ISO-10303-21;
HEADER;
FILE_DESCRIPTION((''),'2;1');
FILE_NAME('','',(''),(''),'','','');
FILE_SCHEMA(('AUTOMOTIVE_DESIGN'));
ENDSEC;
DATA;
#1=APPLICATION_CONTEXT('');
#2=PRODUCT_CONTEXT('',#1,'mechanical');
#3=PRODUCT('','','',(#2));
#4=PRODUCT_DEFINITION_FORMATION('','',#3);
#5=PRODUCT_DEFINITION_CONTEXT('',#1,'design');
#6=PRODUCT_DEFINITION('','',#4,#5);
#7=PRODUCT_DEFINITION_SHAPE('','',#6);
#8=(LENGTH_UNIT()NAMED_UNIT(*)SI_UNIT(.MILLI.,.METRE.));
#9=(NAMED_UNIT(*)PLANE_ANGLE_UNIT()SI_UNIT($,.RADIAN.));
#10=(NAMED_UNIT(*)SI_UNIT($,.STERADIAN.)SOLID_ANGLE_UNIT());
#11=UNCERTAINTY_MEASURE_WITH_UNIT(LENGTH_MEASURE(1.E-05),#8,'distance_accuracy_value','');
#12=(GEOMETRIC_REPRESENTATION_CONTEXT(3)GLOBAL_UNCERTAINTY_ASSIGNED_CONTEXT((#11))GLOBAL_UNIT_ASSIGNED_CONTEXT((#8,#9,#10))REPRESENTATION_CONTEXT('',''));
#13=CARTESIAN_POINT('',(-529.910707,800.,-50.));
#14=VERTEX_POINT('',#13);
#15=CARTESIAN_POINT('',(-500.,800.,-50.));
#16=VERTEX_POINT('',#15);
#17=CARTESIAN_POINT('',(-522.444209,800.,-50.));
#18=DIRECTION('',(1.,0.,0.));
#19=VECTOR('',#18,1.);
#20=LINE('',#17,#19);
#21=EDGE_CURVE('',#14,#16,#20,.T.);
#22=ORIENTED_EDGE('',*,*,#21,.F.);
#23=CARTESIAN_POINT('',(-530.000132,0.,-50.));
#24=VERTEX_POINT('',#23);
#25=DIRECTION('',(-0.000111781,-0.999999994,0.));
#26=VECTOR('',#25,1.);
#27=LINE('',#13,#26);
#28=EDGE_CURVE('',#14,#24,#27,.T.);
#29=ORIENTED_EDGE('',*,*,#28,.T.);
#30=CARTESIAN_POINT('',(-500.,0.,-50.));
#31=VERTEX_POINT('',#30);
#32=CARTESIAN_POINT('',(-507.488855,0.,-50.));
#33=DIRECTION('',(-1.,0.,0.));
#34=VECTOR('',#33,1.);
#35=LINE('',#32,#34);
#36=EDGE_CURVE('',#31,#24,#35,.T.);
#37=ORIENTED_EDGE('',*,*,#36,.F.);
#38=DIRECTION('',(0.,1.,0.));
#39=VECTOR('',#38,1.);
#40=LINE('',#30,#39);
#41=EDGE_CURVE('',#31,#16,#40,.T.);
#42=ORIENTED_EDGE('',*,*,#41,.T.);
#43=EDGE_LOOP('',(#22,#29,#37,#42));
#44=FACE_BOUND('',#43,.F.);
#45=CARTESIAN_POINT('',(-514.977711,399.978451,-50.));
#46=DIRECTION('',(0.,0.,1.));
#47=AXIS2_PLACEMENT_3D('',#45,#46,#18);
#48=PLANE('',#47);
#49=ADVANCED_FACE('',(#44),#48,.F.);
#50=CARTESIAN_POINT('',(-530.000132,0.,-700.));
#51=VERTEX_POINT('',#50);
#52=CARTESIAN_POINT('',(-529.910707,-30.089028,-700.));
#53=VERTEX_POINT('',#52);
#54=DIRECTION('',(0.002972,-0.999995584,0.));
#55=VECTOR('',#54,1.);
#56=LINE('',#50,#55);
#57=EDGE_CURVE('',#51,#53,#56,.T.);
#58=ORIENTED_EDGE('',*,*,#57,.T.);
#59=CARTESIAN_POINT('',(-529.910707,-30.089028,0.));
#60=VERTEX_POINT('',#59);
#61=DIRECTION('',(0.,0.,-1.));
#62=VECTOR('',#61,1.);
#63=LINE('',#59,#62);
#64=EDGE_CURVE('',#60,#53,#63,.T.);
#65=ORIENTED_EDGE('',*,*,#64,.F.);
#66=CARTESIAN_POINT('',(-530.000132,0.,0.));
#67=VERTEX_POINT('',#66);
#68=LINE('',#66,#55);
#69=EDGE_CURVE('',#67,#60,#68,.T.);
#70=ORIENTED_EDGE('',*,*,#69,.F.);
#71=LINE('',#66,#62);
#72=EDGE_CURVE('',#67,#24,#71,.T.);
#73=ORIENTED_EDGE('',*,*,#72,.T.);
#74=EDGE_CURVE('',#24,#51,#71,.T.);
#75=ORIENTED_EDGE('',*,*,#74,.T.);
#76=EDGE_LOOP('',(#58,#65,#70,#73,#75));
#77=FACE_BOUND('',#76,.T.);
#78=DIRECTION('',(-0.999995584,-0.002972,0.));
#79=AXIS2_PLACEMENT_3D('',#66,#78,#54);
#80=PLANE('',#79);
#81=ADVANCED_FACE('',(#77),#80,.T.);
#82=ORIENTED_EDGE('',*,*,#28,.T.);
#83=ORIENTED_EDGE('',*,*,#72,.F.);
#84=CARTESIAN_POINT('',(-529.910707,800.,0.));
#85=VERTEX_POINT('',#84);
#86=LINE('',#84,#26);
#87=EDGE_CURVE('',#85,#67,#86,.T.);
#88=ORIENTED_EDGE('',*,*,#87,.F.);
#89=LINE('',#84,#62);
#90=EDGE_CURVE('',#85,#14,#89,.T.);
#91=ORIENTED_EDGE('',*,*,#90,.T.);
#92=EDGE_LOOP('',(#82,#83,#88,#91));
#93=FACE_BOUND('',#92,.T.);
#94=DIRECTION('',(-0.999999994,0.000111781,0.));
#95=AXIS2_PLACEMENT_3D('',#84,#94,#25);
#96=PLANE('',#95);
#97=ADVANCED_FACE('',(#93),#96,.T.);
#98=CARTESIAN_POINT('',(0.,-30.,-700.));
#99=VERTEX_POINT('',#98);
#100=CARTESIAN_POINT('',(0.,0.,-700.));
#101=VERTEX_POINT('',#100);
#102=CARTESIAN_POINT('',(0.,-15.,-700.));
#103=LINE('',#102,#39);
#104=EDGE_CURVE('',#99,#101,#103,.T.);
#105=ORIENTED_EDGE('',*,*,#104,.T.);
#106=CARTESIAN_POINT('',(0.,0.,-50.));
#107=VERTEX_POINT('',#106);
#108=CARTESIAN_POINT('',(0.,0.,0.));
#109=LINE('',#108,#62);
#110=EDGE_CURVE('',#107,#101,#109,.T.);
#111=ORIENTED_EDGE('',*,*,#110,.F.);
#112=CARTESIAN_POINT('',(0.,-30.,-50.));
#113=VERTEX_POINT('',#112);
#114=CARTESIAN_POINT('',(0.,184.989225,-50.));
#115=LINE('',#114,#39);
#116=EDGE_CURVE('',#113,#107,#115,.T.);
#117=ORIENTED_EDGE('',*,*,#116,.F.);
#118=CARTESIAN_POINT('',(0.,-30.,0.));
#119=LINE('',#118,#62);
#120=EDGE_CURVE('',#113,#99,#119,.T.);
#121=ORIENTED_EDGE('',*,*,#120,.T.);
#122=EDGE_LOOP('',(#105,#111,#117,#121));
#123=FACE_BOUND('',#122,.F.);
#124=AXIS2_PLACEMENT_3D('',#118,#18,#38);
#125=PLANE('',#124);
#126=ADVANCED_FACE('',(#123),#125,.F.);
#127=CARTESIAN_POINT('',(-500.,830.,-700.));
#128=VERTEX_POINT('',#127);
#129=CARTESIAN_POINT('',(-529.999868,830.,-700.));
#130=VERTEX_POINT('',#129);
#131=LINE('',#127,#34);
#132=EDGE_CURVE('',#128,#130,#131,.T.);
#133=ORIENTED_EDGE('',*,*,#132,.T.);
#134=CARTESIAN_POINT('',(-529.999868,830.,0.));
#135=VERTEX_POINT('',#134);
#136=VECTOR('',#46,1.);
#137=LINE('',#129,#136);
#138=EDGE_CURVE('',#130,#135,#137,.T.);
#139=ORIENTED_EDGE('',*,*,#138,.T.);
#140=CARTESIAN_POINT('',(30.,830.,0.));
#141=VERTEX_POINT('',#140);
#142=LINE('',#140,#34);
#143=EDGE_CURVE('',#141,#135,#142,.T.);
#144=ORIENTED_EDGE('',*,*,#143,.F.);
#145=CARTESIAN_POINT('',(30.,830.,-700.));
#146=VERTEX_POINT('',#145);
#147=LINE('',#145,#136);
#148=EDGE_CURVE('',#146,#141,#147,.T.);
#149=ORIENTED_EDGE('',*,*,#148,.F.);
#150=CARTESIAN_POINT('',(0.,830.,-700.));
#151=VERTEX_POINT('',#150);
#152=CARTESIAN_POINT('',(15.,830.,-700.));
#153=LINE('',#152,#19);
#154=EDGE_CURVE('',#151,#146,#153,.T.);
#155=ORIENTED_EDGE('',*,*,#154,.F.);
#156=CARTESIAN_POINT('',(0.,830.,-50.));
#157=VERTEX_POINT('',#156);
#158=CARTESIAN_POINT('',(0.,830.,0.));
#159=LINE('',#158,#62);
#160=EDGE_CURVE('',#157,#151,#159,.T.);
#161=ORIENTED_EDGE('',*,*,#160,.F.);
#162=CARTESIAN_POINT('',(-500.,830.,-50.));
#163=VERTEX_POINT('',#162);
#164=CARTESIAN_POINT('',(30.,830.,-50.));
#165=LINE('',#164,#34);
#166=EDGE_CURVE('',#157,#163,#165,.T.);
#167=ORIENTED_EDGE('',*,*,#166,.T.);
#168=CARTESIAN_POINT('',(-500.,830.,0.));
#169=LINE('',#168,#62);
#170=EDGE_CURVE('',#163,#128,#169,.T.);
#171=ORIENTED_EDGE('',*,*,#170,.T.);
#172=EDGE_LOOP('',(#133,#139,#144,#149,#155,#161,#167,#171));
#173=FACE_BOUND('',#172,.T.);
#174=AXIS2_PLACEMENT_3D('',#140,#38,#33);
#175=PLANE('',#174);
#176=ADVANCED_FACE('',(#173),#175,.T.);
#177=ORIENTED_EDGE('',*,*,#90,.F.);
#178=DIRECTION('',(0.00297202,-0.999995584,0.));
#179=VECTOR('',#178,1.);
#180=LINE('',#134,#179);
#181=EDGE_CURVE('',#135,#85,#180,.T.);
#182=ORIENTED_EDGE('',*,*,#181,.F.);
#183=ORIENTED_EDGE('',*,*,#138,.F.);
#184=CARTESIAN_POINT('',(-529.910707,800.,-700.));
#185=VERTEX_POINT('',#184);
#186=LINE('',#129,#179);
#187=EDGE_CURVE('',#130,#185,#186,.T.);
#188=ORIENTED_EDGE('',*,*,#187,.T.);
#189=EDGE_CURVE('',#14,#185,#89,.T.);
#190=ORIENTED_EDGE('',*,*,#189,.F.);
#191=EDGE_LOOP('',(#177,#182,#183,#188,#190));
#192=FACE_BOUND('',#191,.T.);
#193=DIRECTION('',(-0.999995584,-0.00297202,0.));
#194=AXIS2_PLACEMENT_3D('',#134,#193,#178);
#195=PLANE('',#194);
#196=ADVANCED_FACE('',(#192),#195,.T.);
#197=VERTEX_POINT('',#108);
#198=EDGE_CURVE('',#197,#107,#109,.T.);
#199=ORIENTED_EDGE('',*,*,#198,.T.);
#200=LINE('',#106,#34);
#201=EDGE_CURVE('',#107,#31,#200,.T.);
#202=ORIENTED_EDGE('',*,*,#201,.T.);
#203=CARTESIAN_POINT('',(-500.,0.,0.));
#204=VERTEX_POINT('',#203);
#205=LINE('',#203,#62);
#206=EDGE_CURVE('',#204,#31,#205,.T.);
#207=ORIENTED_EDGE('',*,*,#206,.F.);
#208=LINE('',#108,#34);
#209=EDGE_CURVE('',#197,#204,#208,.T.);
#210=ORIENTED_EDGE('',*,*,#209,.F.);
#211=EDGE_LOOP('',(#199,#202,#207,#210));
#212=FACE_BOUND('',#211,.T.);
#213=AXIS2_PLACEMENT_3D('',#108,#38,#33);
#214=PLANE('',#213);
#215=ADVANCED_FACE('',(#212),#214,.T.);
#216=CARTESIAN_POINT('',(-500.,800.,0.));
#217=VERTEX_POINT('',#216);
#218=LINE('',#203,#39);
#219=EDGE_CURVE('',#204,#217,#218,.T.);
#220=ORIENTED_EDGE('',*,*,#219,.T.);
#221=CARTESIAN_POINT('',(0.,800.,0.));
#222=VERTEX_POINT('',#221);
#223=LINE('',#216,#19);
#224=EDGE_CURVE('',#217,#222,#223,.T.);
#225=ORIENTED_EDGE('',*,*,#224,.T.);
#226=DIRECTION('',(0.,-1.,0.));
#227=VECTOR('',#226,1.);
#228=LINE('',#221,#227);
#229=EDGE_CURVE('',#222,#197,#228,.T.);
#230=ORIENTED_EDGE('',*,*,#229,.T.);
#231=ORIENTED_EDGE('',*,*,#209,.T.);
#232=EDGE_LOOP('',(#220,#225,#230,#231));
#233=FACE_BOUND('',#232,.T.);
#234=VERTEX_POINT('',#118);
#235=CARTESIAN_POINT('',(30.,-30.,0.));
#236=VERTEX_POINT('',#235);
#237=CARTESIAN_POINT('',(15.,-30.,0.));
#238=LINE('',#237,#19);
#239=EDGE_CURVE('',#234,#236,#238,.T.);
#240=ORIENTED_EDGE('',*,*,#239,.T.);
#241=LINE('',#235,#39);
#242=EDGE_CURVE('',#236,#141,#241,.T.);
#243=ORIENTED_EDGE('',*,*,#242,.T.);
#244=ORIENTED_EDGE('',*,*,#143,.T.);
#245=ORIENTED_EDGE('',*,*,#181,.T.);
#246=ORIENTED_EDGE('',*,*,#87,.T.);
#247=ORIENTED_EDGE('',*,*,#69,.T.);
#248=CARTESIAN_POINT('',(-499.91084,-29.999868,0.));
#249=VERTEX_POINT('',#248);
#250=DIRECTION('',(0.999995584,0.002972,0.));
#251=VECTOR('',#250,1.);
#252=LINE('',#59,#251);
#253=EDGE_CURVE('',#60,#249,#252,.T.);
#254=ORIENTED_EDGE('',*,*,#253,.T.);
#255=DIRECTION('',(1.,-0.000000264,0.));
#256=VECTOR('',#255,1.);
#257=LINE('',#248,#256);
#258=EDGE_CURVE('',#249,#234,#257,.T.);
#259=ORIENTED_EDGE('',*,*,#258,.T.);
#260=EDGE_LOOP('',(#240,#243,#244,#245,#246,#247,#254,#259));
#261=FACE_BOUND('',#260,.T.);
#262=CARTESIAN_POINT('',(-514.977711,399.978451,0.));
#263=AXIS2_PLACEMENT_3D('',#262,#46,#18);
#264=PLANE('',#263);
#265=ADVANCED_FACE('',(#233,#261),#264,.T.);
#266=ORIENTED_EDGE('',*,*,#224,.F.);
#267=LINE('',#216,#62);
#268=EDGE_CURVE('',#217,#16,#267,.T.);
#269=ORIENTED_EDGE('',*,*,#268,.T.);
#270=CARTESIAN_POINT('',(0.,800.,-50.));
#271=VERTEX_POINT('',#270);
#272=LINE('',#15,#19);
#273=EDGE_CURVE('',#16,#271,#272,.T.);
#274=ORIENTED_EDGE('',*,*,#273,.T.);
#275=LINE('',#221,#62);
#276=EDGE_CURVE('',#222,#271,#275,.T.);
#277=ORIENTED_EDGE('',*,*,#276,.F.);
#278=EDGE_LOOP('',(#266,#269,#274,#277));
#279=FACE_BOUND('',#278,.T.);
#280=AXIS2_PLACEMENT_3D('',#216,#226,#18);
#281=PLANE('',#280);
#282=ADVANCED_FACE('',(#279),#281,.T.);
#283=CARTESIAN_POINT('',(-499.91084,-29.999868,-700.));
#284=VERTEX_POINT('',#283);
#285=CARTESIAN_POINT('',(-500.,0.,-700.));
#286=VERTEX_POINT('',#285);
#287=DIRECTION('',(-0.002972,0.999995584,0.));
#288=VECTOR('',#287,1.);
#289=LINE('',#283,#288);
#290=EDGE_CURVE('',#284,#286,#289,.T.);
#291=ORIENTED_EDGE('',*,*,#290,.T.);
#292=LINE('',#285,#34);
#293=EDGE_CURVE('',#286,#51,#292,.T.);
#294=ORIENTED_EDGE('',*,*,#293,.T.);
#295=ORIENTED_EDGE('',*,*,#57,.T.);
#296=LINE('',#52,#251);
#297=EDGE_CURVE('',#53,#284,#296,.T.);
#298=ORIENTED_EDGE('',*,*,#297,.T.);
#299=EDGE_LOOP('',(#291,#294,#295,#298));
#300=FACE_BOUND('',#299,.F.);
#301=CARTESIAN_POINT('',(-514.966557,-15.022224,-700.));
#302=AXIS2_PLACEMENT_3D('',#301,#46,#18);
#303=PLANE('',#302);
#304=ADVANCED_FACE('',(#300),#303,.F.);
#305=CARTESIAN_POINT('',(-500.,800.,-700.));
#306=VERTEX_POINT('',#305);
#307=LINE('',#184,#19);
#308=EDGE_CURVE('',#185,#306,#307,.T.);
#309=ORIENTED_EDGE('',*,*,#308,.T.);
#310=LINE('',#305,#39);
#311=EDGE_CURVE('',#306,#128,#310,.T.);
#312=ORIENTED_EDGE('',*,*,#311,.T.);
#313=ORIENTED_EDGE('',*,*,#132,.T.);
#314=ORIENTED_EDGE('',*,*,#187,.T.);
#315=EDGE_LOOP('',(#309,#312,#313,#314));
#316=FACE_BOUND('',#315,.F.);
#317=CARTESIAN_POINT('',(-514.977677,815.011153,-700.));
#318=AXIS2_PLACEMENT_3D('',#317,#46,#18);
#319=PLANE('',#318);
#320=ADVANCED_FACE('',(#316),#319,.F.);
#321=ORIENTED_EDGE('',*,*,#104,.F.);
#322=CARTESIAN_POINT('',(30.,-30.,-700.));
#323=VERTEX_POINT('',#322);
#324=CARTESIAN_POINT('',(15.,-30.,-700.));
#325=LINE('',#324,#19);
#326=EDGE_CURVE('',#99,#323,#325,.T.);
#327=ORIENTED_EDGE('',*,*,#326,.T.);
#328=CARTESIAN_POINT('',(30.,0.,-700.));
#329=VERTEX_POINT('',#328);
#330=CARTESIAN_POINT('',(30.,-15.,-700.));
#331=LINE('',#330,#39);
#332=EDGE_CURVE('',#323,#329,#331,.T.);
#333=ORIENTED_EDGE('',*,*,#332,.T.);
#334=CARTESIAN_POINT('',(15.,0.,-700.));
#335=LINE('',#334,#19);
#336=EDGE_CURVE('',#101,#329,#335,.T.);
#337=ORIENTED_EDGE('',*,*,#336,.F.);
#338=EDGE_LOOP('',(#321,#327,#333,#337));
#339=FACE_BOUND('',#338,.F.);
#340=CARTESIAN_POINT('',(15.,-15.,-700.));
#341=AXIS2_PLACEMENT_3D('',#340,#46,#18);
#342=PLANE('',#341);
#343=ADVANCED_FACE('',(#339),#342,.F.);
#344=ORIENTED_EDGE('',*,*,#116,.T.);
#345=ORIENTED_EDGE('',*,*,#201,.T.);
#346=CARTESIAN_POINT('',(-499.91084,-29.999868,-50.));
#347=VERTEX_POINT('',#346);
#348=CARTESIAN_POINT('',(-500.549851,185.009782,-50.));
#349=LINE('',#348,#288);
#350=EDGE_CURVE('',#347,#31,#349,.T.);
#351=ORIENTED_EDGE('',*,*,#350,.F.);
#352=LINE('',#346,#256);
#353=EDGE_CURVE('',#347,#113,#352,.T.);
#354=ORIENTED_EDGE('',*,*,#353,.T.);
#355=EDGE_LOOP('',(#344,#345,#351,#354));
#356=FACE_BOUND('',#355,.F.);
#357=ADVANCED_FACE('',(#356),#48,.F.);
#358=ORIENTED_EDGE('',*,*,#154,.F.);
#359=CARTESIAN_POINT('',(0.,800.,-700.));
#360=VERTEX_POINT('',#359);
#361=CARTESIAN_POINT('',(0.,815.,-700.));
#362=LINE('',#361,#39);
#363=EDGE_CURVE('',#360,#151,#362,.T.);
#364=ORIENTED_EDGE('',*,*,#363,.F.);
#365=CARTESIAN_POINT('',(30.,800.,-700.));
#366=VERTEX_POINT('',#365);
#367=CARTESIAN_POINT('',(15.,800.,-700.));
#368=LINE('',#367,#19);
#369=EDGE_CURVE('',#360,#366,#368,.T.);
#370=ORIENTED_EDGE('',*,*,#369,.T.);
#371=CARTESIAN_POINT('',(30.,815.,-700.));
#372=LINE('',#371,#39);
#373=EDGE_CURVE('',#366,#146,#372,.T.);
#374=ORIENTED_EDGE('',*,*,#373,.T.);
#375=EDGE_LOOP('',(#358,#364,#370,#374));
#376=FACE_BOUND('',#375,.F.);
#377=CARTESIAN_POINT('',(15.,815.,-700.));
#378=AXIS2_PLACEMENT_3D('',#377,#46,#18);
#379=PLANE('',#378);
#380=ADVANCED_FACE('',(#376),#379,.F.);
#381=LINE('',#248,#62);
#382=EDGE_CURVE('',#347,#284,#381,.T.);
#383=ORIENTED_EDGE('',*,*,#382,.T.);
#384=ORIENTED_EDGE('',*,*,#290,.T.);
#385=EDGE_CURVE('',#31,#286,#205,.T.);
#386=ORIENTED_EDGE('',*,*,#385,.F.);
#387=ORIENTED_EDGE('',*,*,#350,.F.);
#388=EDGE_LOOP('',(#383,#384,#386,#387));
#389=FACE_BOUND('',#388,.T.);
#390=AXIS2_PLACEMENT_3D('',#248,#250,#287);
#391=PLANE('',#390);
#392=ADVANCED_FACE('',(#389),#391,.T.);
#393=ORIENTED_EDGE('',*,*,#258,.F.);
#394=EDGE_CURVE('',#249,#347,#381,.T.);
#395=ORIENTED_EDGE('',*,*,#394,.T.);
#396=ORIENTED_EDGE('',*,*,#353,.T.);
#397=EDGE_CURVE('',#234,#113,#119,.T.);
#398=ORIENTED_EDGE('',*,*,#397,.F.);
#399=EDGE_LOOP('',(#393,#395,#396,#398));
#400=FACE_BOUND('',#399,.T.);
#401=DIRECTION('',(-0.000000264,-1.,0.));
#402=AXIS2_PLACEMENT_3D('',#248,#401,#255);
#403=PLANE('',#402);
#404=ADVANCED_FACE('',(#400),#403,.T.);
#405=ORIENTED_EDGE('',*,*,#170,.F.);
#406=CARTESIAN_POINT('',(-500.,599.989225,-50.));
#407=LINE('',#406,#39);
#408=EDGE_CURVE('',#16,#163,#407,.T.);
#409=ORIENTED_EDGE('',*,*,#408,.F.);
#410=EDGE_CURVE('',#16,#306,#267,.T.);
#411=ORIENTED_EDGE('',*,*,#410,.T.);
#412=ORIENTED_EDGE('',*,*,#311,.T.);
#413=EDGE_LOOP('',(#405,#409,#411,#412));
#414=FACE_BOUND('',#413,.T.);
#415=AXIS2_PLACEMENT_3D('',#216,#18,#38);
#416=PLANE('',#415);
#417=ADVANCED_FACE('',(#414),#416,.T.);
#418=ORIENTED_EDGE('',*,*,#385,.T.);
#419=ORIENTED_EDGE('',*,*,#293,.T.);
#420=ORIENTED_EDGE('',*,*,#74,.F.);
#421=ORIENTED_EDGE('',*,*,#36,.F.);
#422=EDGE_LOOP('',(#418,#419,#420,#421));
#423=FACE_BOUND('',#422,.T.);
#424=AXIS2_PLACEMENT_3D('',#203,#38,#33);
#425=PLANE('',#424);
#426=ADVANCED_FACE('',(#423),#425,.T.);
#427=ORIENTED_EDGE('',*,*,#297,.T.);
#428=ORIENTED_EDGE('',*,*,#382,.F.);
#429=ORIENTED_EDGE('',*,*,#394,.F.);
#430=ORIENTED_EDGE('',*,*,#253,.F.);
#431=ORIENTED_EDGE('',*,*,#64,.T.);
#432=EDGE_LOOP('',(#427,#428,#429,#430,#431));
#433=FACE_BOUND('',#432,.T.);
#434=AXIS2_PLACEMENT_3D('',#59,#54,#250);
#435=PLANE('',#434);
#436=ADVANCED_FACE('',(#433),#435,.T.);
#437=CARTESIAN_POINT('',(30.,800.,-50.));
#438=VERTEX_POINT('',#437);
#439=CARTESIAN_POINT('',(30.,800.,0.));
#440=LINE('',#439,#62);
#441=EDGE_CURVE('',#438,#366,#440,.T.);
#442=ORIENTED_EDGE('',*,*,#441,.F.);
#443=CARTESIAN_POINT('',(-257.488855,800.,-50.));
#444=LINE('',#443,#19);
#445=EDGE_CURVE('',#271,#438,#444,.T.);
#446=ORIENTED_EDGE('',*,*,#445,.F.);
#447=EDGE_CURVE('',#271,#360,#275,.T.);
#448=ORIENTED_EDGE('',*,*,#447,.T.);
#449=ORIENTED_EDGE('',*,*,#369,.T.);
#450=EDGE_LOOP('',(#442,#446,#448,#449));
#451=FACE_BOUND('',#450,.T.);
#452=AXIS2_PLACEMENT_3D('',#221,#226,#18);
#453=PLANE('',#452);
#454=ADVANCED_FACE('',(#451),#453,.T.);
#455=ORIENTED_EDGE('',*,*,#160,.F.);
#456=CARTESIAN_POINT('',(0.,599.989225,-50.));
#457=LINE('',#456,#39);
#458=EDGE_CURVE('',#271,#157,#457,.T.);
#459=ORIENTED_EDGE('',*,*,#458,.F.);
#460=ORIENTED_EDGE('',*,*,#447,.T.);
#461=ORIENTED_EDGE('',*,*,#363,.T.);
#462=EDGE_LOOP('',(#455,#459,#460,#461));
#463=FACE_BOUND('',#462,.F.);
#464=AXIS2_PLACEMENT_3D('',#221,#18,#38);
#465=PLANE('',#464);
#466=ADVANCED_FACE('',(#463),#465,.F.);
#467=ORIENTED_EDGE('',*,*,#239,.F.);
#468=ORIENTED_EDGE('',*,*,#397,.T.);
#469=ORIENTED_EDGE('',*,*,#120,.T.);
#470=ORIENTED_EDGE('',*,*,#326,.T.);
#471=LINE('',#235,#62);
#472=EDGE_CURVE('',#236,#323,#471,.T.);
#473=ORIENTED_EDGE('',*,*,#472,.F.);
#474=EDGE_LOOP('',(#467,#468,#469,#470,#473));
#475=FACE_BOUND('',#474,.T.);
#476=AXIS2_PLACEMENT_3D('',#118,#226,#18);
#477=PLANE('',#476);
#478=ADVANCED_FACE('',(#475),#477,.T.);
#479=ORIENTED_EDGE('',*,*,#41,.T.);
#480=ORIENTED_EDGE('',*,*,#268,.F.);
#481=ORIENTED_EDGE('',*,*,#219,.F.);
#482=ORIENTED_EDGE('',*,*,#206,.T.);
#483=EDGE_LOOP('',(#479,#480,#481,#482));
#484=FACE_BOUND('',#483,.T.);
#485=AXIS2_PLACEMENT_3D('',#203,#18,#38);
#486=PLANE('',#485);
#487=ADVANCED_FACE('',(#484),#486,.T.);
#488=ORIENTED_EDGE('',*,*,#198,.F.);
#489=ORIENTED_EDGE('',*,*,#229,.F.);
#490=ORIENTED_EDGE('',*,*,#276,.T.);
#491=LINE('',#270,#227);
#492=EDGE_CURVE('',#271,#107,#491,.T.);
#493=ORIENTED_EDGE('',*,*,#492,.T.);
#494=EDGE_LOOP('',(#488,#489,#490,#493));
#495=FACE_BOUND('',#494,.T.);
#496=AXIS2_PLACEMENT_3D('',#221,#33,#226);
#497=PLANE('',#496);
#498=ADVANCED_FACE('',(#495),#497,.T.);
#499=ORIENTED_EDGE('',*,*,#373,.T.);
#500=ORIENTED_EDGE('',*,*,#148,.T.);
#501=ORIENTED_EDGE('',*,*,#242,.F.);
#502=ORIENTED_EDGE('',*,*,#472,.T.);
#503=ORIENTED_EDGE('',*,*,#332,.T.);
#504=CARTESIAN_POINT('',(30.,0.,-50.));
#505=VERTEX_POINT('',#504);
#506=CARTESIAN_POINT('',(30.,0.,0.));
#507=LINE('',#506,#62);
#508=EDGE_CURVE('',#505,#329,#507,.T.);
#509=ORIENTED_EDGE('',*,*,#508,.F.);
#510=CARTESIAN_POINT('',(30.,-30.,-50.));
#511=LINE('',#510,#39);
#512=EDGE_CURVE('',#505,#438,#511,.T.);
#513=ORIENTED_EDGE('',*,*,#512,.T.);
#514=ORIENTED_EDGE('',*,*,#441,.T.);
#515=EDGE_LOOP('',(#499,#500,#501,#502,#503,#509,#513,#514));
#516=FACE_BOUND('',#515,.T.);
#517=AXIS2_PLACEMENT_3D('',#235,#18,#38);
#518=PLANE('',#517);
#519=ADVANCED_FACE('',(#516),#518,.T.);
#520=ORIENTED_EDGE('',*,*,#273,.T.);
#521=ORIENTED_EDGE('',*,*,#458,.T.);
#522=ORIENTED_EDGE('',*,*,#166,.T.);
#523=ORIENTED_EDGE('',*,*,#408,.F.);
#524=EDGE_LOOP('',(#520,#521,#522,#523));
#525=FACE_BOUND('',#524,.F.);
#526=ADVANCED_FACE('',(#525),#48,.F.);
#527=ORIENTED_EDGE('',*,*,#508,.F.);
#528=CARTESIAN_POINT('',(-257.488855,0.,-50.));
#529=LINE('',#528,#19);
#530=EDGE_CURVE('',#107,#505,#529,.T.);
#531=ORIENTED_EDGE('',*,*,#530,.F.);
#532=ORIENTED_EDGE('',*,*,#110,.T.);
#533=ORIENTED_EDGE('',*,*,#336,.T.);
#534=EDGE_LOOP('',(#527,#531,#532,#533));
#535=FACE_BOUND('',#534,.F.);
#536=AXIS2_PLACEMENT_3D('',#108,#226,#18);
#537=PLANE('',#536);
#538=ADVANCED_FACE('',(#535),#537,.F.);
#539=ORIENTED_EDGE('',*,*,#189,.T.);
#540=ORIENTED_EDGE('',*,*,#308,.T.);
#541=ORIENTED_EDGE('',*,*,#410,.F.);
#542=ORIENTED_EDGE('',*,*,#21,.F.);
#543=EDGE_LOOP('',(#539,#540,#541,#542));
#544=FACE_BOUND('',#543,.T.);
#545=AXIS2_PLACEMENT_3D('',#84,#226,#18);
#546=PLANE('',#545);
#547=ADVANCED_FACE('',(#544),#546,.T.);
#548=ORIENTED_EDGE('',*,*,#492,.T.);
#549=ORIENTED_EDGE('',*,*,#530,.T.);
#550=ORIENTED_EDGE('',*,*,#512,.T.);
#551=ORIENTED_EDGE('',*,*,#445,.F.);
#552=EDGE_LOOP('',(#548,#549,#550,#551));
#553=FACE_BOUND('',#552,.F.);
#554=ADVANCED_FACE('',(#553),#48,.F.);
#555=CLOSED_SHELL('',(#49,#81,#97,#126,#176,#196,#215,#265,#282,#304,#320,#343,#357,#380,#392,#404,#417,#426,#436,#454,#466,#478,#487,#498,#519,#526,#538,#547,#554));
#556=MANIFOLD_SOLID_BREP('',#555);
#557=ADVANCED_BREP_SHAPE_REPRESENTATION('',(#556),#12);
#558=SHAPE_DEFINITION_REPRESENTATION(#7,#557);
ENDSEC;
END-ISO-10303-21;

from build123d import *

# Parameters (mm, degrees)
F0_W     = 500
F0_H     = 30
F0_W_2   = 30
F0_H_2   = 800
F1_DEPTH = 50
F2_DEPTH = 700


with BuildPart() as f1:
    # F0 (on Top) → F1 (new body)
    with BuildSketch(Plane.XY):
        Polygon((-530.000132, 0), (-500, 0), (-500, 800), (-529.910707, 800), align=None)
        Polygon((-529.910707, 800), (-500, 800), (-500, 830), (-529.999868, 830), align=None)
        with Locations((-250, 815)):
            Rectangle(F0_W, F0_H)
        with Locations((15, 815)):
            Rectangle(F0_W_2, F0_H)
        with Locations((15, 400)):
            Rectangle(F0_W_2, F0_H_2)
        with Locations((15, -15)):
            Rectangle(F0_W_2, F0_H)
        Polygon((0, -30), (0, 0), (-500, 0), (-499.91084, -29.999868), align=None)
        Polygon((-499.91084, -29.999868), (-500, 0), (-530.000132, 0), (-529.910707, -30.089028), align=None)
    extrude(amount=-F1_DEPTH)

    # F0 (on Top) → F2 (join)
    with BuildSketch(Plane.XY):
        with Locations((15, -15)):
            Rectangle(F0_W_2, F0_H)
        Polygon((-499.91084, -29.999868), (-500, 0), (-530.000132, 0), (-529.910707, -30.089028), align=None)
        Polygon((-529.910707, 800), (-500, 800), (-500, 830), (-529.999868, 830), align=None)
        with Locations((15, 815)):
            Rectangle(F0_W_2, F0_H)
    extrude(amount=-F2_DEPTH)


solid = f1.part
